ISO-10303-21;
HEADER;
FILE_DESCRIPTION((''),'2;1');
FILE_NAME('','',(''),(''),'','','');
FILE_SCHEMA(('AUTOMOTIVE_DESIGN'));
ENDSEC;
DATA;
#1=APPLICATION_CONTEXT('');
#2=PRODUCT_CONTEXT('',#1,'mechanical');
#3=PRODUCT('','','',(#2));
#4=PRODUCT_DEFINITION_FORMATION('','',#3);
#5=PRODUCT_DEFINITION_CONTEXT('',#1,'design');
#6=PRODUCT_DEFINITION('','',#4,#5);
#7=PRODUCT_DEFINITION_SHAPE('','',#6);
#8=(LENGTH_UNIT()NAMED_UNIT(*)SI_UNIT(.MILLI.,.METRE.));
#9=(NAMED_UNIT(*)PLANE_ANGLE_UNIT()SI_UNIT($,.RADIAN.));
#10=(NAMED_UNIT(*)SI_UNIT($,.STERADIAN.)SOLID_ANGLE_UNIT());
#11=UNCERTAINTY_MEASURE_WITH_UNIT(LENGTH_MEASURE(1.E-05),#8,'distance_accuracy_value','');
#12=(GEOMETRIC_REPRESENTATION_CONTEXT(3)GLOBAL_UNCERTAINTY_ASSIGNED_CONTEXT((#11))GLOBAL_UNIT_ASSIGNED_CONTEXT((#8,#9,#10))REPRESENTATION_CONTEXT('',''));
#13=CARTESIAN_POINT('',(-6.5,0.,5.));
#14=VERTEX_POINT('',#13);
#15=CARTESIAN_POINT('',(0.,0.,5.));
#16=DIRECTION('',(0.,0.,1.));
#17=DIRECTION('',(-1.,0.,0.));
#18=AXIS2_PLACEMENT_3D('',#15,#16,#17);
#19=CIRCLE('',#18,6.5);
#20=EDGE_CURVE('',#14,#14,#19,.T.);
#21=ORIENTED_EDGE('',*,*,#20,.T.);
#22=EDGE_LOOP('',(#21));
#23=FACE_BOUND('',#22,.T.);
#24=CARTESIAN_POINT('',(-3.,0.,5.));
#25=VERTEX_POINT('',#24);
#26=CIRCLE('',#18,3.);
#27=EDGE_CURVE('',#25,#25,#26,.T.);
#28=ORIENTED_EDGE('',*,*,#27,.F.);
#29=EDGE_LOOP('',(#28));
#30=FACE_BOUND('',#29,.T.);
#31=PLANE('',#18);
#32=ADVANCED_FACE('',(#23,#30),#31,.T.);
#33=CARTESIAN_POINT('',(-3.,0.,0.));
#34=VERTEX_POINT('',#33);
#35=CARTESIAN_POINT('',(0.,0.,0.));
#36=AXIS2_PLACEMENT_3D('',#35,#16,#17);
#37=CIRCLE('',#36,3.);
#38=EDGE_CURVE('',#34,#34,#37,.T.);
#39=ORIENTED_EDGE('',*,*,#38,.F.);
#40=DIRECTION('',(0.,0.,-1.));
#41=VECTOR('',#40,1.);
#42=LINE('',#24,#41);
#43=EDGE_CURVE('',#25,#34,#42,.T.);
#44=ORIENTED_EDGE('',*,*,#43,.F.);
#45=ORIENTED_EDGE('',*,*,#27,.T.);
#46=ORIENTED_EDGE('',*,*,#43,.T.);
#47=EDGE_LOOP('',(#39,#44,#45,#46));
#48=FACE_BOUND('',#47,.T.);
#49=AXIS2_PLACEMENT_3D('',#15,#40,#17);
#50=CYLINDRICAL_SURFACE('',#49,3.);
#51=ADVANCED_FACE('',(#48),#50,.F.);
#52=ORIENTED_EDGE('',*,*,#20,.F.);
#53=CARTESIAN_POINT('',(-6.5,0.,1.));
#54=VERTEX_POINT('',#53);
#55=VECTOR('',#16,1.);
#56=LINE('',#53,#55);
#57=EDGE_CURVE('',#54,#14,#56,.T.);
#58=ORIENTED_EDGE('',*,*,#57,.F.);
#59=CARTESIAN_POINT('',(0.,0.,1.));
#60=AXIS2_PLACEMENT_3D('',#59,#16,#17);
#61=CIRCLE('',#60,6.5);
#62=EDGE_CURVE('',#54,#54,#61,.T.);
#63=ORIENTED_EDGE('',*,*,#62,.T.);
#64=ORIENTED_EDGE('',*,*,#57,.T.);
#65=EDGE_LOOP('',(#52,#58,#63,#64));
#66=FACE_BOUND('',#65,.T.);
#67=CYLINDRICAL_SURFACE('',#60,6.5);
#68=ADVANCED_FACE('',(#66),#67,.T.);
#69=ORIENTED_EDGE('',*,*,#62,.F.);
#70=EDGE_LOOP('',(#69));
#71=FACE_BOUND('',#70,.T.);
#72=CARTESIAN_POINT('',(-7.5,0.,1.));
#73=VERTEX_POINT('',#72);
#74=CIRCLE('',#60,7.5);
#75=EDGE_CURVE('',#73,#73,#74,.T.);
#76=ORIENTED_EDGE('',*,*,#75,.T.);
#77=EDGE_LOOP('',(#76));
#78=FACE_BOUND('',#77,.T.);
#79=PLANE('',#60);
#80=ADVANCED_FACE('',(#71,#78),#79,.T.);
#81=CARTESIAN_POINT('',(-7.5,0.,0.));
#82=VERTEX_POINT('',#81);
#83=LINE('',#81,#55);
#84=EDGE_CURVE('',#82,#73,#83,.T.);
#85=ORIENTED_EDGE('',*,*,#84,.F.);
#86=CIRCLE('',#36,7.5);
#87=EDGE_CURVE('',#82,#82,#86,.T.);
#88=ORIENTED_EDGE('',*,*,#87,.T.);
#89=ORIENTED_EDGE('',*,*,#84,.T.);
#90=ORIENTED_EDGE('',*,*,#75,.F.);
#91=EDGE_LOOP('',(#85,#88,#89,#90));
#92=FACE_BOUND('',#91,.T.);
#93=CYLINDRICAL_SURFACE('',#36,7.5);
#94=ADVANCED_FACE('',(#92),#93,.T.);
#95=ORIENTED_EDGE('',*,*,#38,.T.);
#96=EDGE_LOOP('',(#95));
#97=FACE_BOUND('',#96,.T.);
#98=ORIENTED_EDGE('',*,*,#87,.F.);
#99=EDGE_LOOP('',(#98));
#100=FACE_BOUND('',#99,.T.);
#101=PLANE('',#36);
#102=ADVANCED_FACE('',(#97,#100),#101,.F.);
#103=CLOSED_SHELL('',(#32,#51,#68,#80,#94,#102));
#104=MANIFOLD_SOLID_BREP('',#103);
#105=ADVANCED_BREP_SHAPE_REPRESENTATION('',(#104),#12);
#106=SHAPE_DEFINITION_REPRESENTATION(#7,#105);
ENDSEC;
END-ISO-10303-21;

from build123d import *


with BuildPart() as part:
    # Sketch → Revolution (revolve)
    with BuildSketch(Plane.XZ):
        Polygon((-3, 0), (-7.5, 0), (-7.5, 1), (-6.5, 1), (-6.5, 5), (-3, 5), align=None)
    revolve(axis=Axis((0, 0, 0), (0, 0, 1)))


solid = part.part
